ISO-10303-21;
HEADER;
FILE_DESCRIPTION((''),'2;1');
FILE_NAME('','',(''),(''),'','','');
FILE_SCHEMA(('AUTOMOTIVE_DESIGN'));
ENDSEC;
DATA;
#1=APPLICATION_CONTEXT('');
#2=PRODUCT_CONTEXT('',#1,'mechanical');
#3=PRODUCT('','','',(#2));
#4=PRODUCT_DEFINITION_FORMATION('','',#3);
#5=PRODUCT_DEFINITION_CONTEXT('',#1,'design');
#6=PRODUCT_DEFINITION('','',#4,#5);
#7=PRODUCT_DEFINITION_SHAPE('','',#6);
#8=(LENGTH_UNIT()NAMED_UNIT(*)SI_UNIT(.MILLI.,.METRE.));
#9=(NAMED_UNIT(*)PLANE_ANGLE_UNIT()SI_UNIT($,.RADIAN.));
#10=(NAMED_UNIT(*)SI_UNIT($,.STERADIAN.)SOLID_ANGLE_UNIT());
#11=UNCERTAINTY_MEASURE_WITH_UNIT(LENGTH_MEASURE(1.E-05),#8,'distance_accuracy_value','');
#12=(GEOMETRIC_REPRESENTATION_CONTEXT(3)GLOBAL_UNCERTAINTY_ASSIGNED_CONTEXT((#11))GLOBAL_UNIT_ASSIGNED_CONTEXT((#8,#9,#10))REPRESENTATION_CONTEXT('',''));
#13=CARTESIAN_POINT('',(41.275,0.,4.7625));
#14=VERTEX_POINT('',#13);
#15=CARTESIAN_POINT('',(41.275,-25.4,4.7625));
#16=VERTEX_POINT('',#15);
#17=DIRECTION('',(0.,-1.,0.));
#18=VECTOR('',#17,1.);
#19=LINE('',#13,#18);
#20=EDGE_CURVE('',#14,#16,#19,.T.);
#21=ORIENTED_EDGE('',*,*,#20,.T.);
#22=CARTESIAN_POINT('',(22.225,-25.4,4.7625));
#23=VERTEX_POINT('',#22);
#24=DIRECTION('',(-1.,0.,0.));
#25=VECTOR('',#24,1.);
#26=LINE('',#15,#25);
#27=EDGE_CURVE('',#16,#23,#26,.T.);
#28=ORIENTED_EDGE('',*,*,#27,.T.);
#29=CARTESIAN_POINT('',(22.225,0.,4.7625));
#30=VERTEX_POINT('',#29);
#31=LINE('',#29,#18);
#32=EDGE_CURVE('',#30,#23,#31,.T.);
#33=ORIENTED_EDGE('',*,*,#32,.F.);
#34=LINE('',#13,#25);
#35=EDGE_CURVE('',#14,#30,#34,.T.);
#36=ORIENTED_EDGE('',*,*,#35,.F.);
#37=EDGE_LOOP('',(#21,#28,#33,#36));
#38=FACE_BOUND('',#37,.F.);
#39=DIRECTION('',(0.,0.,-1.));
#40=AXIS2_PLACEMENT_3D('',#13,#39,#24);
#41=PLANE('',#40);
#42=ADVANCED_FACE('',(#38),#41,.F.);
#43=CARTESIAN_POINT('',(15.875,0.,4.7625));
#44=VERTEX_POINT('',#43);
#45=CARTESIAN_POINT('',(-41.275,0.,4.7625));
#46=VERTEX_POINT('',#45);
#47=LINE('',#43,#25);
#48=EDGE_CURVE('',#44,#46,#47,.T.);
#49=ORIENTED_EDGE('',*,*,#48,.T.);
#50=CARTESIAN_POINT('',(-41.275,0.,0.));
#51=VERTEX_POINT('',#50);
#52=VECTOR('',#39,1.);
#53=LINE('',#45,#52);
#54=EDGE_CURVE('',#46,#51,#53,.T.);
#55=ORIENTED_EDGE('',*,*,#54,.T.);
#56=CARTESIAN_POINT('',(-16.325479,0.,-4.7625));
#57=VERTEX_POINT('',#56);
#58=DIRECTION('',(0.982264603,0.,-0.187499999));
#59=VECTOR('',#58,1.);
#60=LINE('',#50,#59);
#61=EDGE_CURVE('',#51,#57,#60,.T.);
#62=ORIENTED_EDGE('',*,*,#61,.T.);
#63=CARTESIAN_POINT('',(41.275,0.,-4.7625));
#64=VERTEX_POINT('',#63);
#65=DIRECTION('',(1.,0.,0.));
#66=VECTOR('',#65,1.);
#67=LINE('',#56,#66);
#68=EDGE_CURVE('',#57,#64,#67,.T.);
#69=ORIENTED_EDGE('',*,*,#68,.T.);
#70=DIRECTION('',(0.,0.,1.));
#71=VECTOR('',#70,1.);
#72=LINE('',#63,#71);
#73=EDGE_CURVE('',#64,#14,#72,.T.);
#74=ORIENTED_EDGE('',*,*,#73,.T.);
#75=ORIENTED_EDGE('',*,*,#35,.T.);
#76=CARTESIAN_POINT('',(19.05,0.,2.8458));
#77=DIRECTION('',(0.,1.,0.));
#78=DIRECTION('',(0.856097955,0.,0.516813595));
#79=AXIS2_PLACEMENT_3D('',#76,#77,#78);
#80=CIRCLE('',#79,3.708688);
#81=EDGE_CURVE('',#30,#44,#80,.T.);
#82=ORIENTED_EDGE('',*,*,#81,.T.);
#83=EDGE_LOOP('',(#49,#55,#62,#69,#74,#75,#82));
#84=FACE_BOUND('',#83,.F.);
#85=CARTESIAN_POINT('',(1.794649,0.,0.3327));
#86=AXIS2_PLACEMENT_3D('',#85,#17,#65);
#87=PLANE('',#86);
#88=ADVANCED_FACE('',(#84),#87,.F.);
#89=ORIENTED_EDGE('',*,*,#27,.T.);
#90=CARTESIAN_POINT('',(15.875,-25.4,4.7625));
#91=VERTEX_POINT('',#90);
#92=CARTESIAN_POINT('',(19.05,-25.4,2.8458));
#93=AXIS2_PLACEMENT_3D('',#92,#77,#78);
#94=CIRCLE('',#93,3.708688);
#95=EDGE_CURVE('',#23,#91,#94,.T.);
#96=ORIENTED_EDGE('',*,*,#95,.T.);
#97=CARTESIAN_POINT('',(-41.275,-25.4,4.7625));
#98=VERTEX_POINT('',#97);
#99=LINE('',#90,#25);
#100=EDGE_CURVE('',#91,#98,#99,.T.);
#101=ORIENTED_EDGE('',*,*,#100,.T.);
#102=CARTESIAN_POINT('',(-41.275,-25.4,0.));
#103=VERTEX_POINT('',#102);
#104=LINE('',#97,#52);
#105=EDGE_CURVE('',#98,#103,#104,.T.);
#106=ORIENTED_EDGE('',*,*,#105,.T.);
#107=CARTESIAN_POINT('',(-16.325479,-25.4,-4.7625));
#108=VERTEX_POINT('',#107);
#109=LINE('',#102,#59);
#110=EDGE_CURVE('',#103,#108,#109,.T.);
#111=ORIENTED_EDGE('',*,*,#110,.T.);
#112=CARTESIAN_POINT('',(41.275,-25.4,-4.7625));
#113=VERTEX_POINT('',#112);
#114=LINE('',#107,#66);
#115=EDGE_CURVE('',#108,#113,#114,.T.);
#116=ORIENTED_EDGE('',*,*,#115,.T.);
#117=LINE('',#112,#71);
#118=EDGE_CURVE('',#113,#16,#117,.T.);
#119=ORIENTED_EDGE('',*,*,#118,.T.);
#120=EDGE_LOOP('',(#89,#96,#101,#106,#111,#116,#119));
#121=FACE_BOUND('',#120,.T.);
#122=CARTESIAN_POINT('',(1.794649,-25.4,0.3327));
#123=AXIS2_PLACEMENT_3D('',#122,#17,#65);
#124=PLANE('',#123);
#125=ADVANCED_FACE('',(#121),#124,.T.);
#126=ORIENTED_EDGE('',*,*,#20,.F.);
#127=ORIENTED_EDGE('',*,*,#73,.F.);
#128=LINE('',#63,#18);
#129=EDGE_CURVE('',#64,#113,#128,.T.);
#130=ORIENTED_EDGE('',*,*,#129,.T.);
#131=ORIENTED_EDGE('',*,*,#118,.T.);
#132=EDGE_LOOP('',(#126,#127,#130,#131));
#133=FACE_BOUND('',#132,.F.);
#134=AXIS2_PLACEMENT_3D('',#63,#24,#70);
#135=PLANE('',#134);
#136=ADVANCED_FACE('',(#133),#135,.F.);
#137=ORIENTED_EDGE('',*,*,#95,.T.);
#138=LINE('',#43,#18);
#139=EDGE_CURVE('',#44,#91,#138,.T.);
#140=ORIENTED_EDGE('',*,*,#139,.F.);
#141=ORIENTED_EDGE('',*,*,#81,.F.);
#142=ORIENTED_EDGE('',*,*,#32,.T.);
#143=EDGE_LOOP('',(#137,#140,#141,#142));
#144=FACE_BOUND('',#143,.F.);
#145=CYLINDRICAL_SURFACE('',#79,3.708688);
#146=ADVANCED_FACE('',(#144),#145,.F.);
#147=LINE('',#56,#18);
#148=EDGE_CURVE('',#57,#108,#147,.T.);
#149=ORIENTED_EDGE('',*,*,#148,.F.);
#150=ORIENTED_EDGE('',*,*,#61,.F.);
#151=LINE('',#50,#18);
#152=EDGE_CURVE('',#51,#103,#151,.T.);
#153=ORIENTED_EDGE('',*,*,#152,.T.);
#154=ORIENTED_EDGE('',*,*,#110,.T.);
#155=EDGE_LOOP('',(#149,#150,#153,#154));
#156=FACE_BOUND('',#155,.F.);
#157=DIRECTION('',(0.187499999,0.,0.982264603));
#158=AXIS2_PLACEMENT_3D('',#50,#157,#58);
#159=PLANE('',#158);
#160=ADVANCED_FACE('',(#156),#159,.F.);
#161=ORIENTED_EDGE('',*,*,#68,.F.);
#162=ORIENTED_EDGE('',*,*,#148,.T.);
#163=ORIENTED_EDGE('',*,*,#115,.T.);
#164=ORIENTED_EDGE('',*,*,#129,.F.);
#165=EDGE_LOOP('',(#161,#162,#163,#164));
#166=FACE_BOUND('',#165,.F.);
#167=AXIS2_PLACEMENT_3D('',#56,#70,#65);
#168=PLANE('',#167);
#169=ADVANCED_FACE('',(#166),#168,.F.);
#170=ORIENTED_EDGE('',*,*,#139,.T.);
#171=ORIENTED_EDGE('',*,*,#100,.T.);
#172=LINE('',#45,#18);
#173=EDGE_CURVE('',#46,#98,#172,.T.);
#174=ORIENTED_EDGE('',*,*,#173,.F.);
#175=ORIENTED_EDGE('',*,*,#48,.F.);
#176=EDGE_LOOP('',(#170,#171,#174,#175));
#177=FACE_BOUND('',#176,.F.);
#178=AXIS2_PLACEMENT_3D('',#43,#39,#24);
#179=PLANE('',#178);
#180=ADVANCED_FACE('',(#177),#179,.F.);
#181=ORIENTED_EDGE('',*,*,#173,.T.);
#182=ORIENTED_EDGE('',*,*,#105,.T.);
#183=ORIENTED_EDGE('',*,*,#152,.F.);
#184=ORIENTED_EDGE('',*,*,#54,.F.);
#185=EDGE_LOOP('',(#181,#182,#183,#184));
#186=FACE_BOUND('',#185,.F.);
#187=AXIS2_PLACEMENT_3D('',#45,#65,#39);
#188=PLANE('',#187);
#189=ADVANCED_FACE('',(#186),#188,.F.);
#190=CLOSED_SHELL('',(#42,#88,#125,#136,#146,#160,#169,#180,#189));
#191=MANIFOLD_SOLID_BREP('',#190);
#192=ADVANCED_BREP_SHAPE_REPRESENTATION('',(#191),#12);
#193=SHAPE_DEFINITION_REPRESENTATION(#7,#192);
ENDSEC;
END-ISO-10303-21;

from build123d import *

# Parameters (mm, degrees)
F1_DEPTH = 25.4


with BuildPart() as f1:
    # F0 (on Front) → F1 (new body)
    with BuildSketch(Plane.XZ):
        with BuildLine():
            Line((-16.325479, -4.7625), (41.275, -4.7625))
            Line((41.275, -4.7625), (41.275, 4.7625))
            Line((41.275, 4.7625), (22.225, 4.7625))
            ThreePointArc((22.225, 4.7625), (19.05, -0.862888), (15.875, 4.7625))
            Line((15.875, 4.7625), (-41.275, 4.7625))
            Line((-41.275, 4.7625), (-41.275, 0))
            Line((-41.275, 0), (-16.325479, -4.7625))
        make_face()
    extrude(amount=F1_DEPTH)


solid = f1.part
